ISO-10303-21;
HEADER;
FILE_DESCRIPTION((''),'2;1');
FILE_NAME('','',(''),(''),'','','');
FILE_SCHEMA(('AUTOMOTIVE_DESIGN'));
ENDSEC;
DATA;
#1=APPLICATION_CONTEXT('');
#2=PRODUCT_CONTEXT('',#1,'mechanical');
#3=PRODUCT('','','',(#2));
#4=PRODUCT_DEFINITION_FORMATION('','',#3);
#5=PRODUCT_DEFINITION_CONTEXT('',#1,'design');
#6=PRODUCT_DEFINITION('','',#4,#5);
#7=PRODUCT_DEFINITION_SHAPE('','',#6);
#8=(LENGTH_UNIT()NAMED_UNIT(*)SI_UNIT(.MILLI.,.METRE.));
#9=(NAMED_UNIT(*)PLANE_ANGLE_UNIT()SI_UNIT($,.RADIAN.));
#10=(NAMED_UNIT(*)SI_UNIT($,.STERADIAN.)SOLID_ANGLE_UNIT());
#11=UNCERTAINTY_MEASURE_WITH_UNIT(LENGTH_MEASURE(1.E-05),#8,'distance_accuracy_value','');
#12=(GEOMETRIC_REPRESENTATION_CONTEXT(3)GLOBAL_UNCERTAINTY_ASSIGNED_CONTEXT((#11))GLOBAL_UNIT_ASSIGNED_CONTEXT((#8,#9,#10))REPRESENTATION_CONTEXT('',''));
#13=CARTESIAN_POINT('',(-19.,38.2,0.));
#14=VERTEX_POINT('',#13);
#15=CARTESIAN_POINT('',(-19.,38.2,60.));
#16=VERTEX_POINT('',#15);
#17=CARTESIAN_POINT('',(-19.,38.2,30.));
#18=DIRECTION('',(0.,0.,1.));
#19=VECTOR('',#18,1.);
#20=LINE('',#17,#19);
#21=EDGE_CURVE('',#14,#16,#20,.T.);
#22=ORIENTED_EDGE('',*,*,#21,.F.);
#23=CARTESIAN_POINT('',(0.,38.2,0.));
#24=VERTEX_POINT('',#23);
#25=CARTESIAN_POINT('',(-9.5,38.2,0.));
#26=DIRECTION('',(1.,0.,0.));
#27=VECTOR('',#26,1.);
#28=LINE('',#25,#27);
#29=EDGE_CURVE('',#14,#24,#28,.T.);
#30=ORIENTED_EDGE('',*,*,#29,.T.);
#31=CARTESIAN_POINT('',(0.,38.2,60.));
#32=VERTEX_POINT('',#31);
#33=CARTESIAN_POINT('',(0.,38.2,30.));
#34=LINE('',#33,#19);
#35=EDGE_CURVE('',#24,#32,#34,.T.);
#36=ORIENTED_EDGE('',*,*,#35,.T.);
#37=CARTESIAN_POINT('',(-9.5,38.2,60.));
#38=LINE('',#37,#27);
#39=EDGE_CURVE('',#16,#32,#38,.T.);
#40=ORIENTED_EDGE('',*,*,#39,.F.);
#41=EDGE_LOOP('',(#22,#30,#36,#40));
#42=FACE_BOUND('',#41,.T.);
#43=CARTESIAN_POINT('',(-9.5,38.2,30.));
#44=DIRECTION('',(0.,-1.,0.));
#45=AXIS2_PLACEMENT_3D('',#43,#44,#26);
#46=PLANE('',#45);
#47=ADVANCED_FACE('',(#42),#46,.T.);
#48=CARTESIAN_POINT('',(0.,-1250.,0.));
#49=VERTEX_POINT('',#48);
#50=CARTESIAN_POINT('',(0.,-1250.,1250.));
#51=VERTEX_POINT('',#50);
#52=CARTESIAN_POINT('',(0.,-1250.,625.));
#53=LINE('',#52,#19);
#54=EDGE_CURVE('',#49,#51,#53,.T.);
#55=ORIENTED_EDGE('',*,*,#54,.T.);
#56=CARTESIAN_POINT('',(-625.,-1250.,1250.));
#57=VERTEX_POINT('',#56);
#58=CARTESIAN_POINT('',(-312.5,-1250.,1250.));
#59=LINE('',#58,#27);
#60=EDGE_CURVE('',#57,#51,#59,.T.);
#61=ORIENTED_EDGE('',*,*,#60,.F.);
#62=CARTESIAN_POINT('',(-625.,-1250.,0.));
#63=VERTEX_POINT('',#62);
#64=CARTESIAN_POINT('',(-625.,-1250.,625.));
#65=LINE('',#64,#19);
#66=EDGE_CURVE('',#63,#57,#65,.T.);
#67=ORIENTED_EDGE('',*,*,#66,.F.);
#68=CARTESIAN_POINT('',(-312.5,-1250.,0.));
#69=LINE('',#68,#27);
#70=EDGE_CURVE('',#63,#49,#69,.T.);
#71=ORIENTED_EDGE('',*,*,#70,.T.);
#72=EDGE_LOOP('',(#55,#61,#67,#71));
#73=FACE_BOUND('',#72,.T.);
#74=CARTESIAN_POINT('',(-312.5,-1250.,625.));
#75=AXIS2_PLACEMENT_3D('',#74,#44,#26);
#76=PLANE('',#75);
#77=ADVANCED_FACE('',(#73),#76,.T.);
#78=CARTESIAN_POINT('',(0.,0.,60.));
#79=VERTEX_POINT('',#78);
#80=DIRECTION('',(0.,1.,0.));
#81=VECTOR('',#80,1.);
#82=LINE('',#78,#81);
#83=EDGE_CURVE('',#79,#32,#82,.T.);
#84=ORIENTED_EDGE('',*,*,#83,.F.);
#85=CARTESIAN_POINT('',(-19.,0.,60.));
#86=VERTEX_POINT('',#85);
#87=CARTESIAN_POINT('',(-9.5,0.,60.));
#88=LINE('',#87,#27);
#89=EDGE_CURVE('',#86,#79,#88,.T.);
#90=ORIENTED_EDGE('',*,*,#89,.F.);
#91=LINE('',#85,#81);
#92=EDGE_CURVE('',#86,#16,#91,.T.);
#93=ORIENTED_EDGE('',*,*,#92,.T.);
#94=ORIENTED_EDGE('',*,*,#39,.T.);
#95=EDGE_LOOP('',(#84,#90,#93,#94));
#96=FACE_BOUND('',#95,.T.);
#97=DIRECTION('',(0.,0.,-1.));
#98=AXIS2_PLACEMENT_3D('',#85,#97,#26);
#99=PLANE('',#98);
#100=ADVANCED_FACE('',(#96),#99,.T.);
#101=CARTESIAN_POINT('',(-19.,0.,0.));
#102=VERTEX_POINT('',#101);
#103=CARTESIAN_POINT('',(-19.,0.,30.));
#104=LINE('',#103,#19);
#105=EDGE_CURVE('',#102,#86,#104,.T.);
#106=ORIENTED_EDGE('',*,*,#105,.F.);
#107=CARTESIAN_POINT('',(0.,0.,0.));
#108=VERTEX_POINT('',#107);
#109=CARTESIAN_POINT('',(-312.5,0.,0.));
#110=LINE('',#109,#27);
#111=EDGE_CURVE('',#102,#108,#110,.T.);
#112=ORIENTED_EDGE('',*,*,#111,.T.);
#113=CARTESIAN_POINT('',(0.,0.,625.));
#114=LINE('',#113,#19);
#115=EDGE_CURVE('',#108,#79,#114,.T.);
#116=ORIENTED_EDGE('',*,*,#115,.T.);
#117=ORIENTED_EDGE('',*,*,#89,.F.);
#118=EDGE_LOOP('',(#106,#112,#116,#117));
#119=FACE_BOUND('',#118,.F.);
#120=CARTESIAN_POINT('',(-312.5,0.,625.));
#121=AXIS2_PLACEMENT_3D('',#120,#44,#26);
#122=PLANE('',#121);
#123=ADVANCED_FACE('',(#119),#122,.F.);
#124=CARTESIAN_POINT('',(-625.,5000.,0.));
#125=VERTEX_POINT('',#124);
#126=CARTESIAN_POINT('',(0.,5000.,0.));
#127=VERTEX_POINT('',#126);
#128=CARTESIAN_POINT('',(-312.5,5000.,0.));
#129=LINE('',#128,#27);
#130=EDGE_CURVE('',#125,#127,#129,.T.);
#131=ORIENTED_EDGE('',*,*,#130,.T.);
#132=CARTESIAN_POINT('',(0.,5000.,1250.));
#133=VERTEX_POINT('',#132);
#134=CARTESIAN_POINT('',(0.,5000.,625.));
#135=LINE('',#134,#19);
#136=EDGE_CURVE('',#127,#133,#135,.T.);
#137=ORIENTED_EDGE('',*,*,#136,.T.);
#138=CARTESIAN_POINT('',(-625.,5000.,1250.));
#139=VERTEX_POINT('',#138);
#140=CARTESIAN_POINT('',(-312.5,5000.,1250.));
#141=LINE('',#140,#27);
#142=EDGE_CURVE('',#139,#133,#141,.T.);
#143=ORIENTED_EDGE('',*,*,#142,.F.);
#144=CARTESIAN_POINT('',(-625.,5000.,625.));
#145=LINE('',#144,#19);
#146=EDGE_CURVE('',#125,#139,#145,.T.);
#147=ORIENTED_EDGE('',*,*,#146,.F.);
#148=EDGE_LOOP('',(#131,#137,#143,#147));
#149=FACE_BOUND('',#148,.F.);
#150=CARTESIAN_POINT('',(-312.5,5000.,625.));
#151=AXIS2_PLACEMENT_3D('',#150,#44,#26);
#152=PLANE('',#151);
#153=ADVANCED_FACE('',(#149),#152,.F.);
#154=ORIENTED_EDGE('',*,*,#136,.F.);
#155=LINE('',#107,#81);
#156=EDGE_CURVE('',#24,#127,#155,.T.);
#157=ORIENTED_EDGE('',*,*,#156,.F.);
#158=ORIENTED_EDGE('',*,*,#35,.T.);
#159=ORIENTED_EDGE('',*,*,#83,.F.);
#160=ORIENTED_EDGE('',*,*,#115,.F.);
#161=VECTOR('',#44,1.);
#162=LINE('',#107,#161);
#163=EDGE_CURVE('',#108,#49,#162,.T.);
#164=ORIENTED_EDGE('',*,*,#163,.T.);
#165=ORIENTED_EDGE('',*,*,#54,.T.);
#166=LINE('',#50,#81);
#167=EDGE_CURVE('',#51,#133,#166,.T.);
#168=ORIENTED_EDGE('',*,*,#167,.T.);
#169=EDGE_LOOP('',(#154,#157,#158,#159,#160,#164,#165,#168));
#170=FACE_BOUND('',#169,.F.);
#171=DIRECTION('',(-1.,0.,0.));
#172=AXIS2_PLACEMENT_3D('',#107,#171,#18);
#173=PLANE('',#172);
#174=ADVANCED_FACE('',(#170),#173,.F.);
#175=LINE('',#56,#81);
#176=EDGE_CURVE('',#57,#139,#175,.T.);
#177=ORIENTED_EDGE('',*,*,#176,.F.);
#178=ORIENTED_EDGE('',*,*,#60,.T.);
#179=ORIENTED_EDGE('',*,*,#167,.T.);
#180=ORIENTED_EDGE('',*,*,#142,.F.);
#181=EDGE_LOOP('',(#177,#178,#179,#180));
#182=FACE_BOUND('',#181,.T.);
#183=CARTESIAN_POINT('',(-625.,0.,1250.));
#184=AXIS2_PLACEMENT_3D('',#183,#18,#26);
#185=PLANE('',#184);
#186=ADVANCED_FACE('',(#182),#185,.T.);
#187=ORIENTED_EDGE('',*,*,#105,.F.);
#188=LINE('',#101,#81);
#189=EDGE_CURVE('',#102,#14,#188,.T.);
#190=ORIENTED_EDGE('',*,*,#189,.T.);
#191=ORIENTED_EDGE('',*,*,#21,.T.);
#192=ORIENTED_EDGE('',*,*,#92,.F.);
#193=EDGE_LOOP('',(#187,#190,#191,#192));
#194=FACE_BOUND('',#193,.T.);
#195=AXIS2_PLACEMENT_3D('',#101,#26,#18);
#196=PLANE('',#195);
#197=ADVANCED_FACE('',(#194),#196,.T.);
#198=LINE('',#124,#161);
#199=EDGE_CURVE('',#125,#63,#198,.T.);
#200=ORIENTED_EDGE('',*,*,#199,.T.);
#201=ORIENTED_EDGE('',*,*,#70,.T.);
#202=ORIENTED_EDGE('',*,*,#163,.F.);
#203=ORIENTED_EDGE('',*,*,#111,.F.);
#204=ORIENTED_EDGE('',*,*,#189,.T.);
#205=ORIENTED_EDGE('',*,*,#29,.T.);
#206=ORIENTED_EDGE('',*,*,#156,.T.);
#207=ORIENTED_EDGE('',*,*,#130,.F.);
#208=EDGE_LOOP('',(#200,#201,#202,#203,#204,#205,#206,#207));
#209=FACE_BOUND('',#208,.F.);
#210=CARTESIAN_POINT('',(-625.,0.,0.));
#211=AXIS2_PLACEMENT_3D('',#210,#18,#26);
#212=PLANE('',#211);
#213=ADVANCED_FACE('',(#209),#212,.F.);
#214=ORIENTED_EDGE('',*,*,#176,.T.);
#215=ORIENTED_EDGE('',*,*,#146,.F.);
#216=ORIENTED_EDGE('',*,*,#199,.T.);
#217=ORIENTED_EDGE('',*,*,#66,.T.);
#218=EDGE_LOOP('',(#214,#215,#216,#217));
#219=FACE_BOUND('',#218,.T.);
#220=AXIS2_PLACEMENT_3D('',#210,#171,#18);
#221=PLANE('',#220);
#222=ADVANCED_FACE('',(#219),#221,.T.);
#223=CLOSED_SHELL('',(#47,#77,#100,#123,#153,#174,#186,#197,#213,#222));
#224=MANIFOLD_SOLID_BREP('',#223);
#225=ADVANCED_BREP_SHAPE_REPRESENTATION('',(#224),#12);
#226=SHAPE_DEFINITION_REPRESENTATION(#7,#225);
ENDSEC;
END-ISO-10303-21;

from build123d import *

# Parameters (mm, degrees)
F0_W     = 625
F0_H     = 1250
F1_DEPTH = 5000
F2_W     = 19
F2_H     = 60
F3_DEPTH = 38.2
F4_DEPTH = 1250


with BuildPart() as f1:
    # F0 (on Front) → F1 (new body)
    with BuildSketch(Plane.XZ):
        with Locations((-312.5, 625)):
            Rectangle(F0_W, F0_H)
    extrude(amount=-F1_DEPTH)

    # F2 (on Front) → F3 (cut)
    with BuildSketch(Plane.XZ):
        with Locations((-9.5, 30)):
            Rectangle(F2_W, F2_H)
    extrude(amount=-F3_DEPTH, mode=Mode.SUBTRACT)

    # F0 (on Front) → F4 (join)
    with BuildSketch(Plane.XZ):
        with Locations((-312.5, 625)):
            Rectangle(F0_W, F0_H)
    extrude(amount=F4_DEPTH)


solid = f1.part
